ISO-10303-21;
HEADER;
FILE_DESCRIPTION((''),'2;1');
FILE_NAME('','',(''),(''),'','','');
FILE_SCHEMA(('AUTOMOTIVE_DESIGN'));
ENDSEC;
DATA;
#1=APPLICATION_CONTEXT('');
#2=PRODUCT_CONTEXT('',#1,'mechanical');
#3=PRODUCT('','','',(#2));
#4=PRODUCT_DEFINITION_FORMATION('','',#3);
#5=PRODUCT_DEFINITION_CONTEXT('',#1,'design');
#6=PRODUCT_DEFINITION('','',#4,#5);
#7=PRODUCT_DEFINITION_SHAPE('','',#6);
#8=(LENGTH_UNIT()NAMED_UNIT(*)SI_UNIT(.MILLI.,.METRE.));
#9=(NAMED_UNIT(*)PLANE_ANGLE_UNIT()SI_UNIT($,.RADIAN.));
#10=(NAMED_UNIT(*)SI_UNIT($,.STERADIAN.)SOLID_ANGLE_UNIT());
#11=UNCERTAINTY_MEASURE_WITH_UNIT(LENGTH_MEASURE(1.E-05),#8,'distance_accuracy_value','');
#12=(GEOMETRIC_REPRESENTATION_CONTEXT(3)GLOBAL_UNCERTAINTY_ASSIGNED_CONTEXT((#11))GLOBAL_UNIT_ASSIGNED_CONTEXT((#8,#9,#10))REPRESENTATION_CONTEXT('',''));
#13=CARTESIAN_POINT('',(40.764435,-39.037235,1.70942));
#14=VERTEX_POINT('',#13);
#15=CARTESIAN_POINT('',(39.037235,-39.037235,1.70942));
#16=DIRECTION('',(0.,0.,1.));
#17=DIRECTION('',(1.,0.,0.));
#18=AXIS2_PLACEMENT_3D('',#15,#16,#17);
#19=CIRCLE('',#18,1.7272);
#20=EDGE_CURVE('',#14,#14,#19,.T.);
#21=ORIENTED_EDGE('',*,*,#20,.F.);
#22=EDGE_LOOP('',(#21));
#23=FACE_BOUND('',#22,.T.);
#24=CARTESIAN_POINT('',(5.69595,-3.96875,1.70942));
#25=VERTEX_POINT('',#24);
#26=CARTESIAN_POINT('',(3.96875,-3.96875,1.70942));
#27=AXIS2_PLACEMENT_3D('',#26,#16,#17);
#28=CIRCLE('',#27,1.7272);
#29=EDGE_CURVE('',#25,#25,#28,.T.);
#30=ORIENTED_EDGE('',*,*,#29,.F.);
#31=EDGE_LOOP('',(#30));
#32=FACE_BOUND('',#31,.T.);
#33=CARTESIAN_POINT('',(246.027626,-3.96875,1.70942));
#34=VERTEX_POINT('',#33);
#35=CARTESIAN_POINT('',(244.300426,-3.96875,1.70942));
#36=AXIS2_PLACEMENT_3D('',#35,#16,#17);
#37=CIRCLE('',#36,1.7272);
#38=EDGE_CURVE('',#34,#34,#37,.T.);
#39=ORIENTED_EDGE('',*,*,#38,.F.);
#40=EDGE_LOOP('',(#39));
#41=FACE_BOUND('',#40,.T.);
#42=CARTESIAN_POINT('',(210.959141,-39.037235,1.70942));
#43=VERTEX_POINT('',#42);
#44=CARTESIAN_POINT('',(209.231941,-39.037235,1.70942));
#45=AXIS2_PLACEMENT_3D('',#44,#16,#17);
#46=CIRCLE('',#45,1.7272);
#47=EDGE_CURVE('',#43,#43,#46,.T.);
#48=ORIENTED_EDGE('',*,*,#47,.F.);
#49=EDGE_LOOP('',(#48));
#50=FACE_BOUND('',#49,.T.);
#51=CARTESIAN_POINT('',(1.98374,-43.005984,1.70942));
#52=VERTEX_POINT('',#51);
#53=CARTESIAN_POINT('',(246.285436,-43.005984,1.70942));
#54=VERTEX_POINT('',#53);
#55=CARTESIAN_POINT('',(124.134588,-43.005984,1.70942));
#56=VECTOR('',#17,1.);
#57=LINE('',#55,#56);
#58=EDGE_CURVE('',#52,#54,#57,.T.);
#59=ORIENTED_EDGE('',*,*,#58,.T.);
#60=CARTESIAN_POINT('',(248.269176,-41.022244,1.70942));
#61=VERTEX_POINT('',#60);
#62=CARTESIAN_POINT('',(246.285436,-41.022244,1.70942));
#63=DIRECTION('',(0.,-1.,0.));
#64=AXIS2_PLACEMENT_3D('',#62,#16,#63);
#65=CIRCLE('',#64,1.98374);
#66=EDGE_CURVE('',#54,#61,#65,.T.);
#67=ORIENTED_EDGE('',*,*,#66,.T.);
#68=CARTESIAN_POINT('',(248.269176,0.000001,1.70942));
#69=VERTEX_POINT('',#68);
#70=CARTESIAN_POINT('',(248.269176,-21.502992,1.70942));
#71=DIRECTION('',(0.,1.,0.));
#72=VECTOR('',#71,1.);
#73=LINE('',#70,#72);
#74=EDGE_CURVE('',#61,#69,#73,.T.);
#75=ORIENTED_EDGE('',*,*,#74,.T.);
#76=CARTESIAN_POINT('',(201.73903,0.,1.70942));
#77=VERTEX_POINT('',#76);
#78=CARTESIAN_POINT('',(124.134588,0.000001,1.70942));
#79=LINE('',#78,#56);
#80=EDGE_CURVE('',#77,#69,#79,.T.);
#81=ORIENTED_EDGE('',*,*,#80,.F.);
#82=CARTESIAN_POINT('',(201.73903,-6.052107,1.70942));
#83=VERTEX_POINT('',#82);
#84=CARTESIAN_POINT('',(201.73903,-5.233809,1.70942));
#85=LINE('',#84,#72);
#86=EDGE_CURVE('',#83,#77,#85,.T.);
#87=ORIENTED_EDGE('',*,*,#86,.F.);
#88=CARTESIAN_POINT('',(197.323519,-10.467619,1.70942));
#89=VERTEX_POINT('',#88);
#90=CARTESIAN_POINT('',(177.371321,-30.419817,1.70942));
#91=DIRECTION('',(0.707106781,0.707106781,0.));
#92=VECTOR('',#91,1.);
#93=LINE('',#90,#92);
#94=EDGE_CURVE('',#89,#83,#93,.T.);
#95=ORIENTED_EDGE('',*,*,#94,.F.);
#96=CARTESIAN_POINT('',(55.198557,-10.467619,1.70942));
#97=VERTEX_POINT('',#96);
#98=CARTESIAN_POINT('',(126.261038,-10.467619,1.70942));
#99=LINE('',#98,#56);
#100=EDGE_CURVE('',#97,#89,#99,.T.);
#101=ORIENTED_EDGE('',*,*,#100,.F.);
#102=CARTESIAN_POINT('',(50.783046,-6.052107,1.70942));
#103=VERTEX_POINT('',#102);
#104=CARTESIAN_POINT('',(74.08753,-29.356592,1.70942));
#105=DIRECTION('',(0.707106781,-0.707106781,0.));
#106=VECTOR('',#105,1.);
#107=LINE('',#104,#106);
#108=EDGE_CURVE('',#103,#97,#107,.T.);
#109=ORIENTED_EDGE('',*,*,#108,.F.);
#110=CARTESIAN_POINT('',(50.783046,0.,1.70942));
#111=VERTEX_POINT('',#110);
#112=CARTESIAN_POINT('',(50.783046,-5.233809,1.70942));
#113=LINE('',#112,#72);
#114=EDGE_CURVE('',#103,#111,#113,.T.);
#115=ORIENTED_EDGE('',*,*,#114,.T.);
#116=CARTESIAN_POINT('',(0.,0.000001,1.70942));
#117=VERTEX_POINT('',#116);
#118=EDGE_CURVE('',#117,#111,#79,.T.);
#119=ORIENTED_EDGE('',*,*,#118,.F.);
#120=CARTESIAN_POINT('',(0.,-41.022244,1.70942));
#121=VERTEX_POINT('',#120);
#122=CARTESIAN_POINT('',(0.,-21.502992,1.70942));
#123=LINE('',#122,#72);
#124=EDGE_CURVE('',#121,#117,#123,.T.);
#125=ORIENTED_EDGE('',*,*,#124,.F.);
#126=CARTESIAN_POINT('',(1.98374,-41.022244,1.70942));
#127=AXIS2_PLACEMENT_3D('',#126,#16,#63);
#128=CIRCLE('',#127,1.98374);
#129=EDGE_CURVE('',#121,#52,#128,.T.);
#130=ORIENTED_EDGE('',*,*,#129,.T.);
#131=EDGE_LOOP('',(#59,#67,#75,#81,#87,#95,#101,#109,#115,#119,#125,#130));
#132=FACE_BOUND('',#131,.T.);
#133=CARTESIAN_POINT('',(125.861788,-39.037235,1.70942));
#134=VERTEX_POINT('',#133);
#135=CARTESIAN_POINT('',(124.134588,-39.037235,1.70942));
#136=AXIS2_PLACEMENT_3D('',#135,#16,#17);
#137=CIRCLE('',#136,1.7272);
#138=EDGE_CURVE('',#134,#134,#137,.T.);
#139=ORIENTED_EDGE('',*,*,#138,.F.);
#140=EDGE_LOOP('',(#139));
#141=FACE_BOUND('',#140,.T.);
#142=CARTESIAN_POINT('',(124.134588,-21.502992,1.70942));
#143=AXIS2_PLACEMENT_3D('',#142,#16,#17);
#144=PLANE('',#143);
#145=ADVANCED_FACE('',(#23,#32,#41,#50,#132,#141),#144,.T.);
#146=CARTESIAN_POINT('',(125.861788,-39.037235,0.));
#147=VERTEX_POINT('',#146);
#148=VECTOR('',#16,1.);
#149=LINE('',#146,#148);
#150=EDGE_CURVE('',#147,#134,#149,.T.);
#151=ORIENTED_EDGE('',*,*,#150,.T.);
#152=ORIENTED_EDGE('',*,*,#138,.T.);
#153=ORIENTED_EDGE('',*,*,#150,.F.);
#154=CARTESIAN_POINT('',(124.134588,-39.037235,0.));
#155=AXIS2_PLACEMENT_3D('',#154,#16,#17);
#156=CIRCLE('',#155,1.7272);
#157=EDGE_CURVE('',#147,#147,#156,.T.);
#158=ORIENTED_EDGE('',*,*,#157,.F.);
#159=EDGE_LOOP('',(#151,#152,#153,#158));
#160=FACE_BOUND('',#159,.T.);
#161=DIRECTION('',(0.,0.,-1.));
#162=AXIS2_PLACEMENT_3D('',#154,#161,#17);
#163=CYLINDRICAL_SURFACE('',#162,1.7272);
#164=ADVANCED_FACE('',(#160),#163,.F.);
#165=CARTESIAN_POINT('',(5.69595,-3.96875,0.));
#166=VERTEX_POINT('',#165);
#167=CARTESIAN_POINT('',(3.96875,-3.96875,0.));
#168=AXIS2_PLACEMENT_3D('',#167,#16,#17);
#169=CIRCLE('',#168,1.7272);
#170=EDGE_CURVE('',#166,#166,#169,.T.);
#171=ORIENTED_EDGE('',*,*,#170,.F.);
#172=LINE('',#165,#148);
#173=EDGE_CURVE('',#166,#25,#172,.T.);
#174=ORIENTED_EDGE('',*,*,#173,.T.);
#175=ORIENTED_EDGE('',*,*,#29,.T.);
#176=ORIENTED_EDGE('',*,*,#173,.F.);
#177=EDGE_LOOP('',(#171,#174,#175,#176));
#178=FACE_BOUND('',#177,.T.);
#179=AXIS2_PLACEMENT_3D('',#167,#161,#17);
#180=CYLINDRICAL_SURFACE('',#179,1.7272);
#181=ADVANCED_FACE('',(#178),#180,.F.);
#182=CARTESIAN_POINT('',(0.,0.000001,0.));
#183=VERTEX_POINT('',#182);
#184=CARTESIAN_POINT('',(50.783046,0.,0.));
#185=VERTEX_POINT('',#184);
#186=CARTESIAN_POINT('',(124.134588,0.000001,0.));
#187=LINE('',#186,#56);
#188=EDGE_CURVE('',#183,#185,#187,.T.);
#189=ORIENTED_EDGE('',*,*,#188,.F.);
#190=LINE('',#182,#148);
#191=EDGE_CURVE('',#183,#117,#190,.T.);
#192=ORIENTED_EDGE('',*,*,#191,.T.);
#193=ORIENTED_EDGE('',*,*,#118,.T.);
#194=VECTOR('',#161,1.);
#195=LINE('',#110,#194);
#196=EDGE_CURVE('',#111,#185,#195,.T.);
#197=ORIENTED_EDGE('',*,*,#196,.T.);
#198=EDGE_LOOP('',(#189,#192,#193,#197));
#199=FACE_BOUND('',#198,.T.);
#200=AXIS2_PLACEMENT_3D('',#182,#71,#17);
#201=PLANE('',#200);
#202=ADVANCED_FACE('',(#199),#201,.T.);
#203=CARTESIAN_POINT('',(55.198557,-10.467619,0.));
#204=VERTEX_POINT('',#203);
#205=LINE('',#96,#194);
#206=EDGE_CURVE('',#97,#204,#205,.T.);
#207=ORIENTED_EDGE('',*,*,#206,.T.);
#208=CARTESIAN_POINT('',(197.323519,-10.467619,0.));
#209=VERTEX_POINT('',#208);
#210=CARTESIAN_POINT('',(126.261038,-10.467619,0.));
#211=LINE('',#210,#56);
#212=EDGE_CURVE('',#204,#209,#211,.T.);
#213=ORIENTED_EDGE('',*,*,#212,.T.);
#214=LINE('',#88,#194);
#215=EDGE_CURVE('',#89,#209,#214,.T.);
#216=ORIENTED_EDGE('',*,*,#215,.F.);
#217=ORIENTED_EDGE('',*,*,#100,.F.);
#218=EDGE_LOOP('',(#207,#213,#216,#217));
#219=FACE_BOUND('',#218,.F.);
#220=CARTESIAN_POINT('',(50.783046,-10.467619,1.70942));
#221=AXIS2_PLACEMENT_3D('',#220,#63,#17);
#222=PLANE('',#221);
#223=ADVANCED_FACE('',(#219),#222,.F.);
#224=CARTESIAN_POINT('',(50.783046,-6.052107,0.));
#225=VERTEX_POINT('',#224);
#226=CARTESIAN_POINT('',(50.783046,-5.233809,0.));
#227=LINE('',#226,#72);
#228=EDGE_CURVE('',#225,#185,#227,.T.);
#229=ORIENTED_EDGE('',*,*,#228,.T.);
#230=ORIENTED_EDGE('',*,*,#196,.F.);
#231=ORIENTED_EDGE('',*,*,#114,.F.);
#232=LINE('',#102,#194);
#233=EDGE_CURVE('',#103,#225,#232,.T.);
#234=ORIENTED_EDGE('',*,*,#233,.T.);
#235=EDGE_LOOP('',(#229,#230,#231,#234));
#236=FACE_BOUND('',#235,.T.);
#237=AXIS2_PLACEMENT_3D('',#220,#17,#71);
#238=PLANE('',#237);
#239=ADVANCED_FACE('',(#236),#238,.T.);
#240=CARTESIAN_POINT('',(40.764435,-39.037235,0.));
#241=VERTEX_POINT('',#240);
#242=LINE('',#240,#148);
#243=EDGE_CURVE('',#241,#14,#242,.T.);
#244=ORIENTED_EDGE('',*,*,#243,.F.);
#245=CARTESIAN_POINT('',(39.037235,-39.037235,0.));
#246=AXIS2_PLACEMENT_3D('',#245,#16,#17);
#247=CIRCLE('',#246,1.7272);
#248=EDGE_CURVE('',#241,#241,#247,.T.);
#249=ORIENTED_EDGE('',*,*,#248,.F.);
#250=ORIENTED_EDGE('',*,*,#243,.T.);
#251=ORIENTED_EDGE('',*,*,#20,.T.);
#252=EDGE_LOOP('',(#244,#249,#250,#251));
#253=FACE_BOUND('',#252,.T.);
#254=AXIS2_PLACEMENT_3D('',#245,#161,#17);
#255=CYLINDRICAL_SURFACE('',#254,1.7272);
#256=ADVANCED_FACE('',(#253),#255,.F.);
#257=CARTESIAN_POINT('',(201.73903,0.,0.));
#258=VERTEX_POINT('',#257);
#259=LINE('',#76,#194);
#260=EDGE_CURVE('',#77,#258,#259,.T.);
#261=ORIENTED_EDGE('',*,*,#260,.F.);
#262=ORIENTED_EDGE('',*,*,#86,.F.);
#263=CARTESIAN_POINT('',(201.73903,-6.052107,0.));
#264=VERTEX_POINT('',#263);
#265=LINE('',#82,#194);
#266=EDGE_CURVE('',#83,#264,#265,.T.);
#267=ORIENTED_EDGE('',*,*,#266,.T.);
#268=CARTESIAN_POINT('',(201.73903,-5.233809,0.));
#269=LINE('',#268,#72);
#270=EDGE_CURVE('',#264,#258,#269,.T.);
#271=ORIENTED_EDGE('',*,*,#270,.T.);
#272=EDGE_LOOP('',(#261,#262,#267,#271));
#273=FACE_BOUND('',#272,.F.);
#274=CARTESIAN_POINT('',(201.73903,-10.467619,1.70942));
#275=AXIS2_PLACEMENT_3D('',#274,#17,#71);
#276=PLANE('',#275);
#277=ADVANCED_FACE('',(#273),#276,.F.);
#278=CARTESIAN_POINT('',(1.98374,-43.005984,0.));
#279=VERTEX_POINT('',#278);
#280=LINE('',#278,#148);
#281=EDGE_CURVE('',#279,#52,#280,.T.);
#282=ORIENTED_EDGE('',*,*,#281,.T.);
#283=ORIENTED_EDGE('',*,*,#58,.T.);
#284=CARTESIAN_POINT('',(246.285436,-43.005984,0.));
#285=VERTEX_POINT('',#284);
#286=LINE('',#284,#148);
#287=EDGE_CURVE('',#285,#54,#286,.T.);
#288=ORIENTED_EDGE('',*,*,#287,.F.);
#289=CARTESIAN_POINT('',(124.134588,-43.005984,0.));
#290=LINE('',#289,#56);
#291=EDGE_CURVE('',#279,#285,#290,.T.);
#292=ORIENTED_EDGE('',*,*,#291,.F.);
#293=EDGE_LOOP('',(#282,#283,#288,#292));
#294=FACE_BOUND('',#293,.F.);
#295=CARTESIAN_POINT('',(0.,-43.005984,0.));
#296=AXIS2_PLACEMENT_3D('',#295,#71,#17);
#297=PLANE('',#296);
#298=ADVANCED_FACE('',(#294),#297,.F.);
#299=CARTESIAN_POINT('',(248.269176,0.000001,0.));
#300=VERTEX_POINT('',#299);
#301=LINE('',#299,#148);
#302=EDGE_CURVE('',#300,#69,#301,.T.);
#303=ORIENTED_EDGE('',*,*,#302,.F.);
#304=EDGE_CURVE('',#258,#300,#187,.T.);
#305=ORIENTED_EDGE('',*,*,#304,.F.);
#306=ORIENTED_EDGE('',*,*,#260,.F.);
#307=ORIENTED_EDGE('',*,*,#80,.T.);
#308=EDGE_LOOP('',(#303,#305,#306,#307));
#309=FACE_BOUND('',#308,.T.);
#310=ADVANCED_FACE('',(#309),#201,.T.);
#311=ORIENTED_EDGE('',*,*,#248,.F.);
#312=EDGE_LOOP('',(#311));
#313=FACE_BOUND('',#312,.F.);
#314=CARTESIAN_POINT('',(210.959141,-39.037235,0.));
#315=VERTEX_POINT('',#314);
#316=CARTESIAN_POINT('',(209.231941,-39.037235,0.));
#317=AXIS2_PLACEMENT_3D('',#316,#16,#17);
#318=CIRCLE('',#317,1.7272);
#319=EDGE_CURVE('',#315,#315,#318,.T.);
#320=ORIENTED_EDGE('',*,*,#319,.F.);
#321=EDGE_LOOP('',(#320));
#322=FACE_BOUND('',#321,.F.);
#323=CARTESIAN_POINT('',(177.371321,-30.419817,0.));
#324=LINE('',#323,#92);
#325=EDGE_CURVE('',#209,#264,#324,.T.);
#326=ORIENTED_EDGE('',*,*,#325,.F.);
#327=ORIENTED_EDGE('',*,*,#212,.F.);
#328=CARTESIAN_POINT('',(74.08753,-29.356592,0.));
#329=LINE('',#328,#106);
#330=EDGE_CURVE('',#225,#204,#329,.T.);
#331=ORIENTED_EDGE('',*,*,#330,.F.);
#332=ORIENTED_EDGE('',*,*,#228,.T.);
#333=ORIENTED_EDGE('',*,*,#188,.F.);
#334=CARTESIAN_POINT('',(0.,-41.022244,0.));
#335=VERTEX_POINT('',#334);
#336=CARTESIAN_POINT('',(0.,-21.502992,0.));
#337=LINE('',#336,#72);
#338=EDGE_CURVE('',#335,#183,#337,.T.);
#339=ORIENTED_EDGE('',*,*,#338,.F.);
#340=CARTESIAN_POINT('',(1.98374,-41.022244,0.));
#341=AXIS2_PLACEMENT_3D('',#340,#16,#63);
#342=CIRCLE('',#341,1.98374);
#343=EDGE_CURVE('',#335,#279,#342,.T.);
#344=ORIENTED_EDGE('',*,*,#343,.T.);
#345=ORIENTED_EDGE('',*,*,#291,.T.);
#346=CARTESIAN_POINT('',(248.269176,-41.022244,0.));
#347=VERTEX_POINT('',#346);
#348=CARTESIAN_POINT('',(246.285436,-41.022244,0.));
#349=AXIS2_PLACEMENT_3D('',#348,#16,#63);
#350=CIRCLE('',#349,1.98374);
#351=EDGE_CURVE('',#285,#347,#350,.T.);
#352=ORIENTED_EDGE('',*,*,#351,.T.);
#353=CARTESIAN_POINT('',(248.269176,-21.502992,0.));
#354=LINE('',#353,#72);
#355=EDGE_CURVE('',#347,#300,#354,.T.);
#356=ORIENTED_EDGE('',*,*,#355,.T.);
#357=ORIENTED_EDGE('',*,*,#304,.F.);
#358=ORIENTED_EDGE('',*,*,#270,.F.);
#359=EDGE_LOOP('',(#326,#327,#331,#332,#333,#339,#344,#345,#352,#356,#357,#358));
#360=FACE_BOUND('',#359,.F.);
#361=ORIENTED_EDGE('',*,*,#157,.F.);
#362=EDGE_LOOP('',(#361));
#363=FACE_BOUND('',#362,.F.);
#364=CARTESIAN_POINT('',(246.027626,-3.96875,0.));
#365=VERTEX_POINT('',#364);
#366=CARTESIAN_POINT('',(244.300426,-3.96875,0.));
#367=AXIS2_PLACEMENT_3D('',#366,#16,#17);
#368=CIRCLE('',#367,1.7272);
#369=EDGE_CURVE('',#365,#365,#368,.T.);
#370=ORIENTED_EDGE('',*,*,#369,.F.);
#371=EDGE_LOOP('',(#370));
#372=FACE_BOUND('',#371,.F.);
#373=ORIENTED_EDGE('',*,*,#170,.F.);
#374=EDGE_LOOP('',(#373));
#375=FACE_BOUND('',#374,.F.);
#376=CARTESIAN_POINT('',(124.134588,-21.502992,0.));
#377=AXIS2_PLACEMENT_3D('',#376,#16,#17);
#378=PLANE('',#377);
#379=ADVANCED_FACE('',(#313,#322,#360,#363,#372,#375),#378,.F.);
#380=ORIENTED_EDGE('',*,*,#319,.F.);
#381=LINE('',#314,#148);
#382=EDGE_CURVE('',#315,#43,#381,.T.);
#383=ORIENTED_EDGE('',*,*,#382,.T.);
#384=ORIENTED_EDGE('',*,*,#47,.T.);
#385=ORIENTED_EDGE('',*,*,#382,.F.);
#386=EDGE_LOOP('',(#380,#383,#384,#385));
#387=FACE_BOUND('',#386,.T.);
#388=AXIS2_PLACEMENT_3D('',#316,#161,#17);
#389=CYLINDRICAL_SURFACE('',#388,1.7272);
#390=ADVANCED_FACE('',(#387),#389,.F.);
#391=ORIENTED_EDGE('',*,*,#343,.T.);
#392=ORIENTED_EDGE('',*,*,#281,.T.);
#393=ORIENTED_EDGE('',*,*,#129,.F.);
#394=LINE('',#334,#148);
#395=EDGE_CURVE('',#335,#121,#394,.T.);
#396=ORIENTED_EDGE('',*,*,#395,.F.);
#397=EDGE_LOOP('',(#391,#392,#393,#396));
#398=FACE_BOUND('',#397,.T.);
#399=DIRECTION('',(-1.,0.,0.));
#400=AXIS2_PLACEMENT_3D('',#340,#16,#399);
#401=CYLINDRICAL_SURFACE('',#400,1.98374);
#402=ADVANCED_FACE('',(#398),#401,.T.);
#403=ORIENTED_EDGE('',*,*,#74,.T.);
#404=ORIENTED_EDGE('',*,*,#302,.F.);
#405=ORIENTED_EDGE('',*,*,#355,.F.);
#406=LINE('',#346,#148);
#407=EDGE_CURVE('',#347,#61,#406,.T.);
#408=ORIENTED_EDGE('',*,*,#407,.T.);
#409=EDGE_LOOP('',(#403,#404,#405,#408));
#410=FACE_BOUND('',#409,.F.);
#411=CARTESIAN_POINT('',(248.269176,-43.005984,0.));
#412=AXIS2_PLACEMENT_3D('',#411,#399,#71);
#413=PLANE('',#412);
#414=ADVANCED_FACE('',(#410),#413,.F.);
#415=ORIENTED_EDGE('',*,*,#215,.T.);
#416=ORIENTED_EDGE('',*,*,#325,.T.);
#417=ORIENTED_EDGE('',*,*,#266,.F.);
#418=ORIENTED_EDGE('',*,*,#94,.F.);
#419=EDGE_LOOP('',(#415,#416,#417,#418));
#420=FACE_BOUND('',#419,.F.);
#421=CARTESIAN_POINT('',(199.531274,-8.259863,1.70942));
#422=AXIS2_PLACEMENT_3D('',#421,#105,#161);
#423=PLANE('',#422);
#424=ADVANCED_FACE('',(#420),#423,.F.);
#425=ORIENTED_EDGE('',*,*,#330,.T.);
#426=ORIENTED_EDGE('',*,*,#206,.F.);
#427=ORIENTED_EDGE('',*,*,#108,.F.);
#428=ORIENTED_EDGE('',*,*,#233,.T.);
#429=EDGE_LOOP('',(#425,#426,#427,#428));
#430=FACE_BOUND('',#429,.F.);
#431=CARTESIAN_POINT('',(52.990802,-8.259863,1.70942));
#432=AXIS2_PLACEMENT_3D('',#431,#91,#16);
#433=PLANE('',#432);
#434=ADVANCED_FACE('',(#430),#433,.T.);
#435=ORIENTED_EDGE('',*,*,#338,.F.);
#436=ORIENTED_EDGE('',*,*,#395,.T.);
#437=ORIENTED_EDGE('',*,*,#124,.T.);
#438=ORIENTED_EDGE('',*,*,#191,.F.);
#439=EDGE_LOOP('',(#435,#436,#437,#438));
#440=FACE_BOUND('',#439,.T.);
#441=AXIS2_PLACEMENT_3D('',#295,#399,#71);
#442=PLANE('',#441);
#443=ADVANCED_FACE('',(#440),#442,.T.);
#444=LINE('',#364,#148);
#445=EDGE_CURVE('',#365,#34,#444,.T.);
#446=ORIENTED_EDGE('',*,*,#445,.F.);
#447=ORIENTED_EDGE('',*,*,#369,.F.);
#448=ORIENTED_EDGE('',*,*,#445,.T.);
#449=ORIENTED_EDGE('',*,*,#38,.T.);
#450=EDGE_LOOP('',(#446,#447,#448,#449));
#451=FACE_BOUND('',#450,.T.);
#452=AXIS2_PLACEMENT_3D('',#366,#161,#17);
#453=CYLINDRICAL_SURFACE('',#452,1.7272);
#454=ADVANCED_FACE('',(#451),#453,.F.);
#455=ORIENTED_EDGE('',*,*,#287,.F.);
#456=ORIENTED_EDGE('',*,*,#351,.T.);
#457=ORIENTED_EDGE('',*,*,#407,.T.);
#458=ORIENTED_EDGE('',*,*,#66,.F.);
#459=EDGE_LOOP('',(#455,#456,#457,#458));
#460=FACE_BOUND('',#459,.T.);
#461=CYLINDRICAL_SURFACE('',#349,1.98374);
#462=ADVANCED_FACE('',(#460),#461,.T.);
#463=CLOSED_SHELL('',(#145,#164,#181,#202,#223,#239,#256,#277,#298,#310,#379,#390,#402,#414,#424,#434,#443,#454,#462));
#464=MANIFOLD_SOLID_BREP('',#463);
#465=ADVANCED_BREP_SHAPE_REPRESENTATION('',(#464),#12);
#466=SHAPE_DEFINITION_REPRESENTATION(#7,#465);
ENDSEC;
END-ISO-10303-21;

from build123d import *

# Parameters (mm, degrees)
F0_W     = 248.269176
F0_H     = 43.005985
F0_R     = 1.7272
F1_DEPTH = 1.70942
F2_R     = 1.98374
F3_W     = 150.955984
F3_H     = 10.467619
F4_DEPTH = 1.70942
F5_SIZE  = 4.415511


with BuildPart() as f1:
    # F0 (on Top) → F1 (new body)
    with BuildSketch(Plane.XY):
        with Locations((124.134588, -21.502992)):
            Rectangle(F0_W, F0_H)
        with Locations((39.037235, -39.037235)):
            Circle(F0_R, mode=Mode.SUBTRACT)
        with Locations((124.134588, -39.037235)):
            Circle(F0_R, mode=Mode.SUBTRACT)
        with Locations((209.231941, -39.037235)):
            Circle(F0_R, mode=Mode.SUBTRACT)
        with Locations((3.96875, -3.96875)):
            Circle(F0_R, mode=Mode.SUBTRACT)
        with Locations((244.300426, -3.96875)):
            Circle(F0_R, mode=Mode.SUBTRACT)
    extrude(amount=F1_DEPTH)

    # F2
    f2_edges = [f1.edges().sort_by_distance(p)[0] for p in [
        (0, -43.005985, 0.85471),
        (248.269176, -43.005985, 0.85471),
    ]]
    fillet(f2_edges, radius=F2_R)

    # F3 (on face) → F4 (cut, through all)
    with BuildSketch(Plane.XY.offset(1.70942)):
        with Locations((126.261038, -5.233809)):
            Rectangle(F3_W, F3_H)
    extrude(amount=-F4_DEPTH, mode=Mode.SUBTRACT)

    # F5
    f5_edges = [f1.edges().sort_by_distance(p)[0] for p in [
        (50.783046, -10.467619, 0.85471),
        (201.73903, -10.467619, 0.85471),
    ]]
    chamfer(f5_edges, length=F5_SIZE)


solid = f1.part
